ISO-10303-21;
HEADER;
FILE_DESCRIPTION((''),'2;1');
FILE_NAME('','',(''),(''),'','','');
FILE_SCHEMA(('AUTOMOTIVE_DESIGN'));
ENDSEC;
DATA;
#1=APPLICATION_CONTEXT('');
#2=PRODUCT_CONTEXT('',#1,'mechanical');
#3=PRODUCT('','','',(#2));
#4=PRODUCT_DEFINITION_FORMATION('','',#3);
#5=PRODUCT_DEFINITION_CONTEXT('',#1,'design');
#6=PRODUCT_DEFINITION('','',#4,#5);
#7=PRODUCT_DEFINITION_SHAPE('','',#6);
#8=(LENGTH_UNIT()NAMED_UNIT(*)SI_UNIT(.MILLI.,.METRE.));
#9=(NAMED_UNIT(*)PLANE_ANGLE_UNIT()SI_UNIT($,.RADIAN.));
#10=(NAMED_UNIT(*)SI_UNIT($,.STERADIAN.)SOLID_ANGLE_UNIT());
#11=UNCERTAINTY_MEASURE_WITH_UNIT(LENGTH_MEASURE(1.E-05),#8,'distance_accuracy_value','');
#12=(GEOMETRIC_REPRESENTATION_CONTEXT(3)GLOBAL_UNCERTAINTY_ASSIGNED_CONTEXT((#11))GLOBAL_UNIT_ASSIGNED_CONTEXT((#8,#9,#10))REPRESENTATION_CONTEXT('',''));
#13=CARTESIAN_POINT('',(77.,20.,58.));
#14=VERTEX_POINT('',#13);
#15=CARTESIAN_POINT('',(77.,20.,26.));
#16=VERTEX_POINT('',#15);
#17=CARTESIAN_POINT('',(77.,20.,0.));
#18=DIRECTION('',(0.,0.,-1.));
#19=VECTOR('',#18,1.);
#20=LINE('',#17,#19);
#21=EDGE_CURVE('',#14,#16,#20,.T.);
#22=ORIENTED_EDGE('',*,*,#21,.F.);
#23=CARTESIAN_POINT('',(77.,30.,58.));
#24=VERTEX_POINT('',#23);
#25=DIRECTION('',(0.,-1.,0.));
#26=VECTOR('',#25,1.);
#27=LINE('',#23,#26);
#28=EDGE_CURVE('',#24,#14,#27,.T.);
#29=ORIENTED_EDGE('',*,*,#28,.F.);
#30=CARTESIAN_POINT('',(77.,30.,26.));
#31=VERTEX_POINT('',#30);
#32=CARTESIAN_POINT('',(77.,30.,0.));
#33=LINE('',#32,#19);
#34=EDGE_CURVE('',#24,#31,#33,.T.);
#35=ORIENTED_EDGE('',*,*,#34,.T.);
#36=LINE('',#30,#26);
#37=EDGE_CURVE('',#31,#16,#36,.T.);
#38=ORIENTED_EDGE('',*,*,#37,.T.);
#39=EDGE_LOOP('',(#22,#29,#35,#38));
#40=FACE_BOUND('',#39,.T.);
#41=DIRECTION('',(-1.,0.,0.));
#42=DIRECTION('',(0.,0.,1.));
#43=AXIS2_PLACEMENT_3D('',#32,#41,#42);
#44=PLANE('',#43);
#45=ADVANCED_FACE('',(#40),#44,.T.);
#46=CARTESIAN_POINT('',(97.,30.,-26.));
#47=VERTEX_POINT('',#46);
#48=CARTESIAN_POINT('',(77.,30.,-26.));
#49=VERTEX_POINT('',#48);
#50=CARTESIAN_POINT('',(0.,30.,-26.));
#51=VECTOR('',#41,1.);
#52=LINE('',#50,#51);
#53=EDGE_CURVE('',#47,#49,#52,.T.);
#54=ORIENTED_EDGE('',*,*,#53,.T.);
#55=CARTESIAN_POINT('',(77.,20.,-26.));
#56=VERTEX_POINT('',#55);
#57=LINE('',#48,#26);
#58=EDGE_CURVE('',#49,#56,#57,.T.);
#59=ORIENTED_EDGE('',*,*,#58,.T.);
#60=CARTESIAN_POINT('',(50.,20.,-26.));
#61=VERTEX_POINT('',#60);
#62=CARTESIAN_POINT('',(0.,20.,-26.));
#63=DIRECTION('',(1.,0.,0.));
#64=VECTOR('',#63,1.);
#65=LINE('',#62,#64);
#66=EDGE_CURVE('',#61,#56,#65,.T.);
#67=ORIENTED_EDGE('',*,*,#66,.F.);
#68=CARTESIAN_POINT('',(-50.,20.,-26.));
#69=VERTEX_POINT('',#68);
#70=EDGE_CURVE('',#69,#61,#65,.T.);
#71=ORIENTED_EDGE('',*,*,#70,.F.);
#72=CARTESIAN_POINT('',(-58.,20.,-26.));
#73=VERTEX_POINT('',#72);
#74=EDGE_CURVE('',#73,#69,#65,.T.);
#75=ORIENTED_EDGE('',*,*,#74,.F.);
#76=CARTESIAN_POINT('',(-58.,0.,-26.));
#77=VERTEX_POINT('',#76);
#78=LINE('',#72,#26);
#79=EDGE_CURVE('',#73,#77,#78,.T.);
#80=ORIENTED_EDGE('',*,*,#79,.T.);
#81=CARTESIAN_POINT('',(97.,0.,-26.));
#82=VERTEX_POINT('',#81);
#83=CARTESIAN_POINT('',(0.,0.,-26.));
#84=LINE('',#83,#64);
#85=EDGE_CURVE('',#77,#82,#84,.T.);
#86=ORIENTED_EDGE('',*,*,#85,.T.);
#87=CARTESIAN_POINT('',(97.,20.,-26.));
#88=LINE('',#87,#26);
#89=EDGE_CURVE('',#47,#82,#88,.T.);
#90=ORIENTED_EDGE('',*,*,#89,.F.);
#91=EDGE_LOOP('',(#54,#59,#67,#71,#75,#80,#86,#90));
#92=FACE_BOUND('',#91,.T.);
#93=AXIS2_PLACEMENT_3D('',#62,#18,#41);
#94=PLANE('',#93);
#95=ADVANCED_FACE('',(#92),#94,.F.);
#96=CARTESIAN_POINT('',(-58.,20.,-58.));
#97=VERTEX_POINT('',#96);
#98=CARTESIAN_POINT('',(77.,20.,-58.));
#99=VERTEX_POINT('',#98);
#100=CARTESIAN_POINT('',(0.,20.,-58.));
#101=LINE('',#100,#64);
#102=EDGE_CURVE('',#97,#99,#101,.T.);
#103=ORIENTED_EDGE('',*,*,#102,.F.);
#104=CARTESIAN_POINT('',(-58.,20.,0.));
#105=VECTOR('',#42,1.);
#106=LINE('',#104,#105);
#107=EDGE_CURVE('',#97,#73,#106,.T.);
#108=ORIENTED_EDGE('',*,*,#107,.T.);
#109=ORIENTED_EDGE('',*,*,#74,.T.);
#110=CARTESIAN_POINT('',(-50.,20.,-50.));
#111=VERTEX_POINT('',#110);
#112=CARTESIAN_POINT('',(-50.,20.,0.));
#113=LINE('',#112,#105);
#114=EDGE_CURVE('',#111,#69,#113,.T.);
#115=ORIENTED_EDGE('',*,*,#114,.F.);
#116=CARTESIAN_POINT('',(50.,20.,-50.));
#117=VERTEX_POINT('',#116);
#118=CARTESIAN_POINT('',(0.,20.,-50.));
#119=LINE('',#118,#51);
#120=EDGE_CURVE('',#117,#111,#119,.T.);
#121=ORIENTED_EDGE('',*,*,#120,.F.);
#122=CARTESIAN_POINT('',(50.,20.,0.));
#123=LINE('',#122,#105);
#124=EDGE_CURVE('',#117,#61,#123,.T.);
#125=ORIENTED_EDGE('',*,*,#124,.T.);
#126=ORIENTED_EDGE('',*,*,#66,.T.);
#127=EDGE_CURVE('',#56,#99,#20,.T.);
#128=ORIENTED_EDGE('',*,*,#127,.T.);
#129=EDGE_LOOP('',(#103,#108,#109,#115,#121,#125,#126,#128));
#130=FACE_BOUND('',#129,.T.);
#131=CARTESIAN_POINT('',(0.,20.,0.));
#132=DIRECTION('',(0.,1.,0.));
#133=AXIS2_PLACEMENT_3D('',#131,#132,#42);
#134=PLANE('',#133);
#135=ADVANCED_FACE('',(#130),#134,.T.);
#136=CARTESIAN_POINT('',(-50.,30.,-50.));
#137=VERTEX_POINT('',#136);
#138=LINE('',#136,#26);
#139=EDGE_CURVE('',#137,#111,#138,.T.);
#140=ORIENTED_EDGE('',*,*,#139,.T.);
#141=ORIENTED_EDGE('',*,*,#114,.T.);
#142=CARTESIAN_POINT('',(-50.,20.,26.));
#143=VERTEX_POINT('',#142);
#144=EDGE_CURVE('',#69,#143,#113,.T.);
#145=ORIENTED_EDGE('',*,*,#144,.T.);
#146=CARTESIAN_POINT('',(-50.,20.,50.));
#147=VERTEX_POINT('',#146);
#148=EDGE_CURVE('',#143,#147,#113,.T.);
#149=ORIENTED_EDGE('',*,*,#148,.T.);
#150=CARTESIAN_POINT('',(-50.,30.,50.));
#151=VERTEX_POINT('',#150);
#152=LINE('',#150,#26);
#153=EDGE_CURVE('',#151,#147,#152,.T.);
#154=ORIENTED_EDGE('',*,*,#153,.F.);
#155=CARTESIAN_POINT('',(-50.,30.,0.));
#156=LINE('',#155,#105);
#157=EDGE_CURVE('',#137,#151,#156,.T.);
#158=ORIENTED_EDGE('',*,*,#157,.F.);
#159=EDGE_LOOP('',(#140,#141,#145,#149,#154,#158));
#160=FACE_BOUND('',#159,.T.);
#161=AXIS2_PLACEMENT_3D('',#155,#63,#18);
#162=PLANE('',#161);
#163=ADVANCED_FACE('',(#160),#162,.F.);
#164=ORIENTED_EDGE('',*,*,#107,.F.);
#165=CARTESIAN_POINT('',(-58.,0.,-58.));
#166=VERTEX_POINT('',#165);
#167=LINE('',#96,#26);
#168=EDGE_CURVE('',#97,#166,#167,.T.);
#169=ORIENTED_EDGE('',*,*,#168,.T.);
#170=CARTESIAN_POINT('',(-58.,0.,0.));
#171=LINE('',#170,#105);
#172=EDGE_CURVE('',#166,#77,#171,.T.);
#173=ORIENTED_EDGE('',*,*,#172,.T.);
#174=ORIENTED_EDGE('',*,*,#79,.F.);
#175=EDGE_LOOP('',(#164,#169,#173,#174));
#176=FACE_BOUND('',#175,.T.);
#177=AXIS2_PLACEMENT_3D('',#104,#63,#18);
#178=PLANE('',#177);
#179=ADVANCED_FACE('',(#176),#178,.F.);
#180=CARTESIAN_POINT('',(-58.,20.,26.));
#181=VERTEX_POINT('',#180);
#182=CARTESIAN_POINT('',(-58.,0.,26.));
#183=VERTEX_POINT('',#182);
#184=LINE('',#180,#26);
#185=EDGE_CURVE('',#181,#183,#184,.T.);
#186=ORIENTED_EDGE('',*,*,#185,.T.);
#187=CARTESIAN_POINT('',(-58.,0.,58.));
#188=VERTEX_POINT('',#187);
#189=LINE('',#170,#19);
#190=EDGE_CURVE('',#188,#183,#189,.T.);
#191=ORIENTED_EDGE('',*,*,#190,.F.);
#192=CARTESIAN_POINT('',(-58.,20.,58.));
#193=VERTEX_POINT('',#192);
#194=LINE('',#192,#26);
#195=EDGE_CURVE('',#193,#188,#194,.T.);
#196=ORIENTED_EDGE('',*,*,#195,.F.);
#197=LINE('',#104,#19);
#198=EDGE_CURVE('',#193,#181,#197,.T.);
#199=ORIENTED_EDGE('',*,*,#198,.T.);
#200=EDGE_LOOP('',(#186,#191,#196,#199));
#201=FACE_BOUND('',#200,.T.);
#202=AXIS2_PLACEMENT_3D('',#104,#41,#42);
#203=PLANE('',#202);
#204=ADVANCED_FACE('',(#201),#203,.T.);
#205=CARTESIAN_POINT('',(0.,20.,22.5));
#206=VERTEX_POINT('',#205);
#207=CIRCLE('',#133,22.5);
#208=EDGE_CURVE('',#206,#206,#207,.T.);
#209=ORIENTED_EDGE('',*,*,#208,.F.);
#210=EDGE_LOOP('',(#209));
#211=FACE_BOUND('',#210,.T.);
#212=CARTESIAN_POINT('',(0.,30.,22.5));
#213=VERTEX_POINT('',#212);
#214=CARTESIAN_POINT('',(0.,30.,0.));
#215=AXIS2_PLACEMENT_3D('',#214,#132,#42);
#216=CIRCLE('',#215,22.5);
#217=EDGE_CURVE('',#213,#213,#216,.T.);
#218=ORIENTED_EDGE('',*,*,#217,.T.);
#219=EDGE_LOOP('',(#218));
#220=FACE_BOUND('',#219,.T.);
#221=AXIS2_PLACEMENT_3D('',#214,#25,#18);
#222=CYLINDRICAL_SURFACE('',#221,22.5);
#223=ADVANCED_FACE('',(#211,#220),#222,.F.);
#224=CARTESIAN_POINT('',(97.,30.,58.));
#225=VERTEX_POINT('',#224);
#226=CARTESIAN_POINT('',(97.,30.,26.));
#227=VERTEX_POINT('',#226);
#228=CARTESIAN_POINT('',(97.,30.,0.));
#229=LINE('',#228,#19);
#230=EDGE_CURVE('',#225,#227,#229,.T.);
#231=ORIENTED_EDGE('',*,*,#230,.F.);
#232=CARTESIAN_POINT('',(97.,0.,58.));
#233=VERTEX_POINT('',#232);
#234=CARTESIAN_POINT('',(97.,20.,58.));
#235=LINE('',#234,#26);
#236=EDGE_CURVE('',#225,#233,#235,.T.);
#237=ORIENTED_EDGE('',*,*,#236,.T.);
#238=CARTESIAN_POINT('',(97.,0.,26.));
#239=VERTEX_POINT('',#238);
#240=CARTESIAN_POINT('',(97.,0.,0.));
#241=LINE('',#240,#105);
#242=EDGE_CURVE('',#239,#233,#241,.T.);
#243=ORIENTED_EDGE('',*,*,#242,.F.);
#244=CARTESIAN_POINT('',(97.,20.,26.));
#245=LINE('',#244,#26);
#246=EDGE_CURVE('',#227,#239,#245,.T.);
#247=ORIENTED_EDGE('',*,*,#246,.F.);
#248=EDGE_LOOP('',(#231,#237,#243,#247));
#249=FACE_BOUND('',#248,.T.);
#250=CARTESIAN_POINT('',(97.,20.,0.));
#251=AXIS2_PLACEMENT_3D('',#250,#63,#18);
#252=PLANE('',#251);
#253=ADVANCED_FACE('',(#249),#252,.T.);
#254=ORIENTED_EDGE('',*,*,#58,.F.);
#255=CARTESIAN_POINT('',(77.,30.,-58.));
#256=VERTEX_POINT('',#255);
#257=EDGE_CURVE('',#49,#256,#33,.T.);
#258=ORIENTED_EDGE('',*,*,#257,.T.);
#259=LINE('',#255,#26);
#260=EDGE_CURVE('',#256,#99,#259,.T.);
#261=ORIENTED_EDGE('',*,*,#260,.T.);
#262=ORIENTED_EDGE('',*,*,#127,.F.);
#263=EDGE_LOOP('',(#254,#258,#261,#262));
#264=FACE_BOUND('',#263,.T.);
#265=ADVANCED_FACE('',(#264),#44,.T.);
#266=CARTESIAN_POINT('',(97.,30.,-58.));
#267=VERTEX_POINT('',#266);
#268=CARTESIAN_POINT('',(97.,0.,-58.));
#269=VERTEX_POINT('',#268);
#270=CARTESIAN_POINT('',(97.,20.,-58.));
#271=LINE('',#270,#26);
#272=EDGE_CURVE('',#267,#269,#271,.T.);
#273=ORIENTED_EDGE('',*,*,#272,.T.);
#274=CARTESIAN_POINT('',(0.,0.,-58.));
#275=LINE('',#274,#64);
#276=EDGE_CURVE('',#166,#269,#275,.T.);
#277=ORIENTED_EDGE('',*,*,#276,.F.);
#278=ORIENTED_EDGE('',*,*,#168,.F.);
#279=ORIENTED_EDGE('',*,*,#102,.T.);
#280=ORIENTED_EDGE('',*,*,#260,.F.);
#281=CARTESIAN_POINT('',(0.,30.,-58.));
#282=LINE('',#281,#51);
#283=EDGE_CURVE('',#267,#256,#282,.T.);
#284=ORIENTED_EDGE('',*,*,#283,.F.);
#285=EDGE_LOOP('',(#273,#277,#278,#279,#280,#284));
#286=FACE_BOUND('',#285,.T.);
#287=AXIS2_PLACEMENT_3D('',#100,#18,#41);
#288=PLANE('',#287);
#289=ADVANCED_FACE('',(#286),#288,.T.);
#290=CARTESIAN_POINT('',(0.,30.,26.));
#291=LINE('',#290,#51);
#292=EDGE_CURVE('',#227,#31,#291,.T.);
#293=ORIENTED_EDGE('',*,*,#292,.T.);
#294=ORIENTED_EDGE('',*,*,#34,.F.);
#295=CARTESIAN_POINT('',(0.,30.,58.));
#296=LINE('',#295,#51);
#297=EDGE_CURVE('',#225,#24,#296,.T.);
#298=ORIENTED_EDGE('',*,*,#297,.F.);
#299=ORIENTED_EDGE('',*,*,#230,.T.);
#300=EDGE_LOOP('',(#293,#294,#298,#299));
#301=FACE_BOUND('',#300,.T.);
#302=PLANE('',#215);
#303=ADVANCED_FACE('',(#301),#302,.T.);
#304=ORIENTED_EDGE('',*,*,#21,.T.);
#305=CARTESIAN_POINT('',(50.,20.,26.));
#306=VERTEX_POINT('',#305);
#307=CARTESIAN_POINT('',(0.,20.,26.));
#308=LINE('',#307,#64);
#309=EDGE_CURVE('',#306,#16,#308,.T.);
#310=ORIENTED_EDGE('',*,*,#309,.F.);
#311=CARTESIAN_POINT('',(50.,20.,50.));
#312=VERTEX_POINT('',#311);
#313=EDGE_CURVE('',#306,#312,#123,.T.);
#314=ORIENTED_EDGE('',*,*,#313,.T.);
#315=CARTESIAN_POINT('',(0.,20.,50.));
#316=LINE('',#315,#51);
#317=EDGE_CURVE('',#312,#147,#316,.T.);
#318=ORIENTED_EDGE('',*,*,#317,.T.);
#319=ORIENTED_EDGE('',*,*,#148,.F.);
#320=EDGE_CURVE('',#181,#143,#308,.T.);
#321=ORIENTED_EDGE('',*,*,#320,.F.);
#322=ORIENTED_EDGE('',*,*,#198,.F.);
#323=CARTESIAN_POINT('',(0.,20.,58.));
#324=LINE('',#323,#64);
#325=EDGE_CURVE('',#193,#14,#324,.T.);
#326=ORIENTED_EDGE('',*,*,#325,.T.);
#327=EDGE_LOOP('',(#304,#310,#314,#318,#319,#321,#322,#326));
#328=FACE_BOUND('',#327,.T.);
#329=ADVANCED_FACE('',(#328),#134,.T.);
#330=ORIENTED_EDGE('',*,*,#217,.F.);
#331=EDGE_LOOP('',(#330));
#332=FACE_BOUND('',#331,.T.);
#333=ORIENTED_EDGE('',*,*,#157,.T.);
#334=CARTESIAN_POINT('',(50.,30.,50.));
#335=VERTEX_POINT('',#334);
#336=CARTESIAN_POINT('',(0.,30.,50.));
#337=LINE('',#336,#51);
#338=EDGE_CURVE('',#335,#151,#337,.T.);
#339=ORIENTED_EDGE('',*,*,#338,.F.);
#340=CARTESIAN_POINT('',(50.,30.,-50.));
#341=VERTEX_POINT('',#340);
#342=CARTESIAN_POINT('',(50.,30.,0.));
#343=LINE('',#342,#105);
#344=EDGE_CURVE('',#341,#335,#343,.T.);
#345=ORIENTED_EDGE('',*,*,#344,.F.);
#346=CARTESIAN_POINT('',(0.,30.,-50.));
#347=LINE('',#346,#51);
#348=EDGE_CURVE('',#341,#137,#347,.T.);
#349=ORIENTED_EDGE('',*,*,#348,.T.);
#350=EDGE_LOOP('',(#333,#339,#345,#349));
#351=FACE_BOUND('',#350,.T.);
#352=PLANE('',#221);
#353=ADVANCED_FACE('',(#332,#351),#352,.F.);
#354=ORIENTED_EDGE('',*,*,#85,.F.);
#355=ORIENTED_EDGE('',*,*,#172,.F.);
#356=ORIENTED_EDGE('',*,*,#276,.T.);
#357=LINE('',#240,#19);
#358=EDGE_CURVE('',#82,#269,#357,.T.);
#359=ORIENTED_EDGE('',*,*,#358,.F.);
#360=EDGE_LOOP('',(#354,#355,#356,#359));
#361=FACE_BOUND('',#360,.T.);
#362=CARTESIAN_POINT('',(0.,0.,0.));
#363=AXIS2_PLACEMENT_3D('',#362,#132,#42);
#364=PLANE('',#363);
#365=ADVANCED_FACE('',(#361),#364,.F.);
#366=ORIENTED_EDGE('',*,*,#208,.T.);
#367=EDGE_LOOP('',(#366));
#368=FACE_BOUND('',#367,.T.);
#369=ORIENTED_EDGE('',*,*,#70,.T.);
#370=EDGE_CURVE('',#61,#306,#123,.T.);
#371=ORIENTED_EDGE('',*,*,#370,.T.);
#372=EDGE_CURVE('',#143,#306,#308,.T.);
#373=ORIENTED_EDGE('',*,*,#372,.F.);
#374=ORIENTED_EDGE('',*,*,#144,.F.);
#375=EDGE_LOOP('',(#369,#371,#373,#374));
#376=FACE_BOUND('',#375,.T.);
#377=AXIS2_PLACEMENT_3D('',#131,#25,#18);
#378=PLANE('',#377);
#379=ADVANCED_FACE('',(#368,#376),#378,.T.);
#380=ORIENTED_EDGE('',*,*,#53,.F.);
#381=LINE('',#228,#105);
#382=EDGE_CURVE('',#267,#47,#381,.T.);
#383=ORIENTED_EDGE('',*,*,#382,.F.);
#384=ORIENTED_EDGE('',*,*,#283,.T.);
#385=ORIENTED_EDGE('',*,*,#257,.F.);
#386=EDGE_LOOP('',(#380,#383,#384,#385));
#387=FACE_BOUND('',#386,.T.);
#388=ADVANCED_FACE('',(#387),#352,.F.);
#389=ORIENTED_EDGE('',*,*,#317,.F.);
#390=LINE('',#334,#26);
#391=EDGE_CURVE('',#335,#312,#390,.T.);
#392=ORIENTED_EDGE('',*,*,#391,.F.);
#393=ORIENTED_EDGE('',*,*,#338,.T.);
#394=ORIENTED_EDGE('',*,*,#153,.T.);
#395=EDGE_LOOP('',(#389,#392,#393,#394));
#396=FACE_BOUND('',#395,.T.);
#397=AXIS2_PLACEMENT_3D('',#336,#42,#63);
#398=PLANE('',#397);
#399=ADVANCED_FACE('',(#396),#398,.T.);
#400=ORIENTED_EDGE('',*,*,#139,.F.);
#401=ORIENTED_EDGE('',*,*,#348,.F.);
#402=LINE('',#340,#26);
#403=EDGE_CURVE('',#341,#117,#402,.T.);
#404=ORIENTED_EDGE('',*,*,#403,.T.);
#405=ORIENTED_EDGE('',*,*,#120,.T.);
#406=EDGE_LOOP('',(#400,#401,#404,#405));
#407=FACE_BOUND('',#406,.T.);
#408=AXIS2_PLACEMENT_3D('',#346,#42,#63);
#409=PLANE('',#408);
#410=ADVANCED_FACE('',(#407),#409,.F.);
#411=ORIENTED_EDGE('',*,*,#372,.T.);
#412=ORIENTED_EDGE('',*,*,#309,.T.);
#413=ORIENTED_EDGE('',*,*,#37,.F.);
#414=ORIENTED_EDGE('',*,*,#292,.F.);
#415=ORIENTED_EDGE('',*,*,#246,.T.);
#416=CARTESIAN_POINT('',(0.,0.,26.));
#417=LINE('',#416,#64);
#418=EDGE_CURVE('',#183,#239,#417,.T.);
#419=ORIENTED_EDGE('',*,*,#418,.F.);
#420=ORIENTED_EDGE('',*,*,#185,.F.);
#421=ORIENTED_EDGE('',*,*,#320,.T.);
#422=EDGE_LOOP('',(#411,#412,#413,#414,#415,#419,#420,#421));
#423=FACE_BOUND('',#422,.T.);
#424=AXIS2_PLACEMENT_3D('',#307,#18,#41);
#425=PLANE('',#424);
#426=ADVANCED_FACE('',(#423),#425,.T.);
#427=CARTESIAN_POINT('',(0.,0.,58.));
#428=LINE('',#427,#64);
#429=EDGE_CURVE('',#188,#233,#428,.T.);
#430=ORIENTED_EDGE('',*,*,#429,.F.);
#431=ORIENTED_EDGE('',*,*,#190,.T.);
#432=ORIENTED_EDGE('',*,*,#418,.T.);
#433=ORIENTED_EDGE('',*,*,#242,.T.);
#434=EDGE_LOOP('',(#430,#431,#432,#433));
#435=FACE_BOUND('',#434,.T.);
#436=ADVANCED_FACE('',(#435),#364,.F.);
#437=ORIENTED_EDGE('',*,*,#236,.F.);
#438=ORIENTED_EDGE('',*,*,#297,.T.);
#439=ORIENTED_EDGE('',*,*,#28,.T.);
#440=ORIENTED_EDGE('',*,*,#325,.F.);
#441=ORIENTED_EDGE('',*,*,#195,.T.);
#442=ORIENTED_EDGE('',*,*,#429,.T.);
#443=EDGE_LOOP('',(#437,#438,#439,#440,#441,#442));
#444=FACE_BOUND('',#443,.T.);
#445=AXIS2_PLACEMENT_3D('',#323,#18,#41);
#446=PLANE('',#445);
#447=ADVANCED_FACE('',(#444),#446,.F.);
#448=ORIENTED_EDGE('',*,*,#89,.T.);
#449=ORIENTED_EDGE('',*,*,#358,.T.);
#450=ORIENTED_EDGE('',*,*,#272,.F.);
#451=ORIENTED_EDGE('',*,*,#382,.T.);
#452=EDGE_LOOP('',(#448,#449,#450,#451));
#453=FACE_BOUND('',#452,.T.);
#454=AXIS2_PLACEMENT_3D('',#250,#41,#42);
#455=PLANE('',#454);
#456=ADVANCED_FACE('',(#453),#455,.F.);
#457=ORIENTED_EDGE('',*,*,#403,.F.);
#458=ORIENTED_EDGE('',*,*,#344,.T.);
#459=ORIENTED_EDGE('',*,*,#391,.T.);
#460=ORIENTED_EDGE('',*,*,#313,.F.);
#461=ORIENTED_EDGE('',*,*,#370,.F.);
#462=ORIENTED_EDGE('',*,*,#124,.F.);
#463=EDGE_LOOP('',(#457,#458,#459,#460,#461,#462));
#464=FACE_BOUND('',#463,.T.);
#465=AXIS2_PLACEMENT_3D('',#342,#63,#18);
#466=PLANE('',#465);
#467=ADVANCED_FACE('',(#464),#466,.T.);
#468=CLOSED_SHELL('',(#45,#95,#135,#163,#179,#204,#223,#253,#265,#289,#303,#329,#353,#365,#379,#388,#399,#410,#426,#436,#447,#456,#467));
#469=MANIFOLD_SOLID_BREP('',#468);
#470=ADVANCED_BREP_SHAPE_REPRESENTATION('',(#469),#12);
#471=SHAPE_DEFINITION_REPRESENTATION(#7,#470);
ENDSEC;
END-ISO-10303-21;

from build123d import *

# Parameters (mm, degrees)
SKETCH1_W           = 20
SKETCH1_H           = 32
SKETCH1_W_2         = 100
SKETCH1_H_2         = 24
BOSS_EXTRUDE1_DEPTH = 20
BOSS_EXTRUDE2_START = 20
SKETCH1_3_W         = 20
SKETCH1_3_H         = 32
BOSS_EXTRUDE2_DEPTH = 10
BOSS_EXTRUDE3_START = 20
SKETCH1_5_W         = 100
SKETCH1_5_H         = 24
SKETCH1_5_H_2       = 52
SKETCH1_5_R         = 22.5
BOSS_EXTRUDE3_DEPTH = 10


with BuildPart() as part:
    # Sketch1 → Boss-Extrude1 (new body)
    with BuildSketch(Plane(origin=(0, 0, 0), x_dir=(1, 0, 0), z_dir=(0, 1, 0))):
        Polygon((50, -50), (-50, -50), (-50, -26), (-58, -26), (-58, -58), (77, -58), (77, -26), (50, -26), align=None)
        Polygon((-58, 26), (-50, 26), (-50, 50), (50, 50), (50, 26), (77, 26), (77, 58), (-58, 58), align=None)
        with Locations((87, -42)):
            Rectangle(SKETCH1_W, SKETCH1_H)
        with Locations((87, 42)):
            Rectangle(SKETCH1_W, SKETCH1_H)
        with Locations((0, -38)):
            Rectangle(SKETCH1_W_2, SKETCH1_H_2)
        with Locations((0, 38)):
            Rectangle(SKETCH1_W_2, SKETCH1_H_2)
    extrude(amount=BOSS_EXTRUDE1_DEPTH)

    # Sketch1<3> → Boss-Extrude2 (add)
    with BuildSketch(Plane(origin=(0, 0, 0), x_dir=(1, 0, 0), z_dir=(0, 1, 0)).offset(BOSS_EXTRUDE2_START)):
        with Locations((87, -42)):
            Rectangle(SKETCH1_3_W, SKETCH1_3_H)
        with Locations((87, 42)):
            Rectangle(SKETCH1_3_W, SKETCH1_3_H)
    extrude(amount=BOSS_EXTRUDE2_DEPTH)

    # Sketch1<5> → Boss-Extrude3 (add)
    # profile 1 of 3: a face of its own
    with BuildSketch(Plane(origin=(0, 0, 0), x_dir=(1, 0, 0), z_dir=(0, 1, 0)).offset(BOSS_EXTRUDE3_START)):
        with Locations((0, -38)):
            Rectangle(SKETCH1_5_W, SKETCH1_5_H)
    # profile 2 of 3: a face of its own
    with BuildSketch(Plane(origin=(0, 0, 0), x_dir=(1, 0, 0), z_dir=(0, 1, 0)).offset(BOSS_EXTRUDE3_START)):
        Rectangle(SKETCH1_5_W, SKETCH1_5_H_2)
        with Locations(Location((0, 0, 0), (0, 0, 270))):
            Circle(SKETCH1_5_R, mode=Mode.SUBTRACT)
    # profile 3 of 3: a face of its own
    with BuildSketch(Plane(origin=(0, 0, 0), x_dir=(1, 0, 0), z_dir=(0, 1, 0)).offset(BOSS_EXTRUDE3_START)):
        with Locations((0, 38)):
            Rectangle(SKETCH1_5_W, SKETCH1_5_H)
    extrude(amount=BOSS_EXTRUDE3_DEPTH)


solid = part.part
